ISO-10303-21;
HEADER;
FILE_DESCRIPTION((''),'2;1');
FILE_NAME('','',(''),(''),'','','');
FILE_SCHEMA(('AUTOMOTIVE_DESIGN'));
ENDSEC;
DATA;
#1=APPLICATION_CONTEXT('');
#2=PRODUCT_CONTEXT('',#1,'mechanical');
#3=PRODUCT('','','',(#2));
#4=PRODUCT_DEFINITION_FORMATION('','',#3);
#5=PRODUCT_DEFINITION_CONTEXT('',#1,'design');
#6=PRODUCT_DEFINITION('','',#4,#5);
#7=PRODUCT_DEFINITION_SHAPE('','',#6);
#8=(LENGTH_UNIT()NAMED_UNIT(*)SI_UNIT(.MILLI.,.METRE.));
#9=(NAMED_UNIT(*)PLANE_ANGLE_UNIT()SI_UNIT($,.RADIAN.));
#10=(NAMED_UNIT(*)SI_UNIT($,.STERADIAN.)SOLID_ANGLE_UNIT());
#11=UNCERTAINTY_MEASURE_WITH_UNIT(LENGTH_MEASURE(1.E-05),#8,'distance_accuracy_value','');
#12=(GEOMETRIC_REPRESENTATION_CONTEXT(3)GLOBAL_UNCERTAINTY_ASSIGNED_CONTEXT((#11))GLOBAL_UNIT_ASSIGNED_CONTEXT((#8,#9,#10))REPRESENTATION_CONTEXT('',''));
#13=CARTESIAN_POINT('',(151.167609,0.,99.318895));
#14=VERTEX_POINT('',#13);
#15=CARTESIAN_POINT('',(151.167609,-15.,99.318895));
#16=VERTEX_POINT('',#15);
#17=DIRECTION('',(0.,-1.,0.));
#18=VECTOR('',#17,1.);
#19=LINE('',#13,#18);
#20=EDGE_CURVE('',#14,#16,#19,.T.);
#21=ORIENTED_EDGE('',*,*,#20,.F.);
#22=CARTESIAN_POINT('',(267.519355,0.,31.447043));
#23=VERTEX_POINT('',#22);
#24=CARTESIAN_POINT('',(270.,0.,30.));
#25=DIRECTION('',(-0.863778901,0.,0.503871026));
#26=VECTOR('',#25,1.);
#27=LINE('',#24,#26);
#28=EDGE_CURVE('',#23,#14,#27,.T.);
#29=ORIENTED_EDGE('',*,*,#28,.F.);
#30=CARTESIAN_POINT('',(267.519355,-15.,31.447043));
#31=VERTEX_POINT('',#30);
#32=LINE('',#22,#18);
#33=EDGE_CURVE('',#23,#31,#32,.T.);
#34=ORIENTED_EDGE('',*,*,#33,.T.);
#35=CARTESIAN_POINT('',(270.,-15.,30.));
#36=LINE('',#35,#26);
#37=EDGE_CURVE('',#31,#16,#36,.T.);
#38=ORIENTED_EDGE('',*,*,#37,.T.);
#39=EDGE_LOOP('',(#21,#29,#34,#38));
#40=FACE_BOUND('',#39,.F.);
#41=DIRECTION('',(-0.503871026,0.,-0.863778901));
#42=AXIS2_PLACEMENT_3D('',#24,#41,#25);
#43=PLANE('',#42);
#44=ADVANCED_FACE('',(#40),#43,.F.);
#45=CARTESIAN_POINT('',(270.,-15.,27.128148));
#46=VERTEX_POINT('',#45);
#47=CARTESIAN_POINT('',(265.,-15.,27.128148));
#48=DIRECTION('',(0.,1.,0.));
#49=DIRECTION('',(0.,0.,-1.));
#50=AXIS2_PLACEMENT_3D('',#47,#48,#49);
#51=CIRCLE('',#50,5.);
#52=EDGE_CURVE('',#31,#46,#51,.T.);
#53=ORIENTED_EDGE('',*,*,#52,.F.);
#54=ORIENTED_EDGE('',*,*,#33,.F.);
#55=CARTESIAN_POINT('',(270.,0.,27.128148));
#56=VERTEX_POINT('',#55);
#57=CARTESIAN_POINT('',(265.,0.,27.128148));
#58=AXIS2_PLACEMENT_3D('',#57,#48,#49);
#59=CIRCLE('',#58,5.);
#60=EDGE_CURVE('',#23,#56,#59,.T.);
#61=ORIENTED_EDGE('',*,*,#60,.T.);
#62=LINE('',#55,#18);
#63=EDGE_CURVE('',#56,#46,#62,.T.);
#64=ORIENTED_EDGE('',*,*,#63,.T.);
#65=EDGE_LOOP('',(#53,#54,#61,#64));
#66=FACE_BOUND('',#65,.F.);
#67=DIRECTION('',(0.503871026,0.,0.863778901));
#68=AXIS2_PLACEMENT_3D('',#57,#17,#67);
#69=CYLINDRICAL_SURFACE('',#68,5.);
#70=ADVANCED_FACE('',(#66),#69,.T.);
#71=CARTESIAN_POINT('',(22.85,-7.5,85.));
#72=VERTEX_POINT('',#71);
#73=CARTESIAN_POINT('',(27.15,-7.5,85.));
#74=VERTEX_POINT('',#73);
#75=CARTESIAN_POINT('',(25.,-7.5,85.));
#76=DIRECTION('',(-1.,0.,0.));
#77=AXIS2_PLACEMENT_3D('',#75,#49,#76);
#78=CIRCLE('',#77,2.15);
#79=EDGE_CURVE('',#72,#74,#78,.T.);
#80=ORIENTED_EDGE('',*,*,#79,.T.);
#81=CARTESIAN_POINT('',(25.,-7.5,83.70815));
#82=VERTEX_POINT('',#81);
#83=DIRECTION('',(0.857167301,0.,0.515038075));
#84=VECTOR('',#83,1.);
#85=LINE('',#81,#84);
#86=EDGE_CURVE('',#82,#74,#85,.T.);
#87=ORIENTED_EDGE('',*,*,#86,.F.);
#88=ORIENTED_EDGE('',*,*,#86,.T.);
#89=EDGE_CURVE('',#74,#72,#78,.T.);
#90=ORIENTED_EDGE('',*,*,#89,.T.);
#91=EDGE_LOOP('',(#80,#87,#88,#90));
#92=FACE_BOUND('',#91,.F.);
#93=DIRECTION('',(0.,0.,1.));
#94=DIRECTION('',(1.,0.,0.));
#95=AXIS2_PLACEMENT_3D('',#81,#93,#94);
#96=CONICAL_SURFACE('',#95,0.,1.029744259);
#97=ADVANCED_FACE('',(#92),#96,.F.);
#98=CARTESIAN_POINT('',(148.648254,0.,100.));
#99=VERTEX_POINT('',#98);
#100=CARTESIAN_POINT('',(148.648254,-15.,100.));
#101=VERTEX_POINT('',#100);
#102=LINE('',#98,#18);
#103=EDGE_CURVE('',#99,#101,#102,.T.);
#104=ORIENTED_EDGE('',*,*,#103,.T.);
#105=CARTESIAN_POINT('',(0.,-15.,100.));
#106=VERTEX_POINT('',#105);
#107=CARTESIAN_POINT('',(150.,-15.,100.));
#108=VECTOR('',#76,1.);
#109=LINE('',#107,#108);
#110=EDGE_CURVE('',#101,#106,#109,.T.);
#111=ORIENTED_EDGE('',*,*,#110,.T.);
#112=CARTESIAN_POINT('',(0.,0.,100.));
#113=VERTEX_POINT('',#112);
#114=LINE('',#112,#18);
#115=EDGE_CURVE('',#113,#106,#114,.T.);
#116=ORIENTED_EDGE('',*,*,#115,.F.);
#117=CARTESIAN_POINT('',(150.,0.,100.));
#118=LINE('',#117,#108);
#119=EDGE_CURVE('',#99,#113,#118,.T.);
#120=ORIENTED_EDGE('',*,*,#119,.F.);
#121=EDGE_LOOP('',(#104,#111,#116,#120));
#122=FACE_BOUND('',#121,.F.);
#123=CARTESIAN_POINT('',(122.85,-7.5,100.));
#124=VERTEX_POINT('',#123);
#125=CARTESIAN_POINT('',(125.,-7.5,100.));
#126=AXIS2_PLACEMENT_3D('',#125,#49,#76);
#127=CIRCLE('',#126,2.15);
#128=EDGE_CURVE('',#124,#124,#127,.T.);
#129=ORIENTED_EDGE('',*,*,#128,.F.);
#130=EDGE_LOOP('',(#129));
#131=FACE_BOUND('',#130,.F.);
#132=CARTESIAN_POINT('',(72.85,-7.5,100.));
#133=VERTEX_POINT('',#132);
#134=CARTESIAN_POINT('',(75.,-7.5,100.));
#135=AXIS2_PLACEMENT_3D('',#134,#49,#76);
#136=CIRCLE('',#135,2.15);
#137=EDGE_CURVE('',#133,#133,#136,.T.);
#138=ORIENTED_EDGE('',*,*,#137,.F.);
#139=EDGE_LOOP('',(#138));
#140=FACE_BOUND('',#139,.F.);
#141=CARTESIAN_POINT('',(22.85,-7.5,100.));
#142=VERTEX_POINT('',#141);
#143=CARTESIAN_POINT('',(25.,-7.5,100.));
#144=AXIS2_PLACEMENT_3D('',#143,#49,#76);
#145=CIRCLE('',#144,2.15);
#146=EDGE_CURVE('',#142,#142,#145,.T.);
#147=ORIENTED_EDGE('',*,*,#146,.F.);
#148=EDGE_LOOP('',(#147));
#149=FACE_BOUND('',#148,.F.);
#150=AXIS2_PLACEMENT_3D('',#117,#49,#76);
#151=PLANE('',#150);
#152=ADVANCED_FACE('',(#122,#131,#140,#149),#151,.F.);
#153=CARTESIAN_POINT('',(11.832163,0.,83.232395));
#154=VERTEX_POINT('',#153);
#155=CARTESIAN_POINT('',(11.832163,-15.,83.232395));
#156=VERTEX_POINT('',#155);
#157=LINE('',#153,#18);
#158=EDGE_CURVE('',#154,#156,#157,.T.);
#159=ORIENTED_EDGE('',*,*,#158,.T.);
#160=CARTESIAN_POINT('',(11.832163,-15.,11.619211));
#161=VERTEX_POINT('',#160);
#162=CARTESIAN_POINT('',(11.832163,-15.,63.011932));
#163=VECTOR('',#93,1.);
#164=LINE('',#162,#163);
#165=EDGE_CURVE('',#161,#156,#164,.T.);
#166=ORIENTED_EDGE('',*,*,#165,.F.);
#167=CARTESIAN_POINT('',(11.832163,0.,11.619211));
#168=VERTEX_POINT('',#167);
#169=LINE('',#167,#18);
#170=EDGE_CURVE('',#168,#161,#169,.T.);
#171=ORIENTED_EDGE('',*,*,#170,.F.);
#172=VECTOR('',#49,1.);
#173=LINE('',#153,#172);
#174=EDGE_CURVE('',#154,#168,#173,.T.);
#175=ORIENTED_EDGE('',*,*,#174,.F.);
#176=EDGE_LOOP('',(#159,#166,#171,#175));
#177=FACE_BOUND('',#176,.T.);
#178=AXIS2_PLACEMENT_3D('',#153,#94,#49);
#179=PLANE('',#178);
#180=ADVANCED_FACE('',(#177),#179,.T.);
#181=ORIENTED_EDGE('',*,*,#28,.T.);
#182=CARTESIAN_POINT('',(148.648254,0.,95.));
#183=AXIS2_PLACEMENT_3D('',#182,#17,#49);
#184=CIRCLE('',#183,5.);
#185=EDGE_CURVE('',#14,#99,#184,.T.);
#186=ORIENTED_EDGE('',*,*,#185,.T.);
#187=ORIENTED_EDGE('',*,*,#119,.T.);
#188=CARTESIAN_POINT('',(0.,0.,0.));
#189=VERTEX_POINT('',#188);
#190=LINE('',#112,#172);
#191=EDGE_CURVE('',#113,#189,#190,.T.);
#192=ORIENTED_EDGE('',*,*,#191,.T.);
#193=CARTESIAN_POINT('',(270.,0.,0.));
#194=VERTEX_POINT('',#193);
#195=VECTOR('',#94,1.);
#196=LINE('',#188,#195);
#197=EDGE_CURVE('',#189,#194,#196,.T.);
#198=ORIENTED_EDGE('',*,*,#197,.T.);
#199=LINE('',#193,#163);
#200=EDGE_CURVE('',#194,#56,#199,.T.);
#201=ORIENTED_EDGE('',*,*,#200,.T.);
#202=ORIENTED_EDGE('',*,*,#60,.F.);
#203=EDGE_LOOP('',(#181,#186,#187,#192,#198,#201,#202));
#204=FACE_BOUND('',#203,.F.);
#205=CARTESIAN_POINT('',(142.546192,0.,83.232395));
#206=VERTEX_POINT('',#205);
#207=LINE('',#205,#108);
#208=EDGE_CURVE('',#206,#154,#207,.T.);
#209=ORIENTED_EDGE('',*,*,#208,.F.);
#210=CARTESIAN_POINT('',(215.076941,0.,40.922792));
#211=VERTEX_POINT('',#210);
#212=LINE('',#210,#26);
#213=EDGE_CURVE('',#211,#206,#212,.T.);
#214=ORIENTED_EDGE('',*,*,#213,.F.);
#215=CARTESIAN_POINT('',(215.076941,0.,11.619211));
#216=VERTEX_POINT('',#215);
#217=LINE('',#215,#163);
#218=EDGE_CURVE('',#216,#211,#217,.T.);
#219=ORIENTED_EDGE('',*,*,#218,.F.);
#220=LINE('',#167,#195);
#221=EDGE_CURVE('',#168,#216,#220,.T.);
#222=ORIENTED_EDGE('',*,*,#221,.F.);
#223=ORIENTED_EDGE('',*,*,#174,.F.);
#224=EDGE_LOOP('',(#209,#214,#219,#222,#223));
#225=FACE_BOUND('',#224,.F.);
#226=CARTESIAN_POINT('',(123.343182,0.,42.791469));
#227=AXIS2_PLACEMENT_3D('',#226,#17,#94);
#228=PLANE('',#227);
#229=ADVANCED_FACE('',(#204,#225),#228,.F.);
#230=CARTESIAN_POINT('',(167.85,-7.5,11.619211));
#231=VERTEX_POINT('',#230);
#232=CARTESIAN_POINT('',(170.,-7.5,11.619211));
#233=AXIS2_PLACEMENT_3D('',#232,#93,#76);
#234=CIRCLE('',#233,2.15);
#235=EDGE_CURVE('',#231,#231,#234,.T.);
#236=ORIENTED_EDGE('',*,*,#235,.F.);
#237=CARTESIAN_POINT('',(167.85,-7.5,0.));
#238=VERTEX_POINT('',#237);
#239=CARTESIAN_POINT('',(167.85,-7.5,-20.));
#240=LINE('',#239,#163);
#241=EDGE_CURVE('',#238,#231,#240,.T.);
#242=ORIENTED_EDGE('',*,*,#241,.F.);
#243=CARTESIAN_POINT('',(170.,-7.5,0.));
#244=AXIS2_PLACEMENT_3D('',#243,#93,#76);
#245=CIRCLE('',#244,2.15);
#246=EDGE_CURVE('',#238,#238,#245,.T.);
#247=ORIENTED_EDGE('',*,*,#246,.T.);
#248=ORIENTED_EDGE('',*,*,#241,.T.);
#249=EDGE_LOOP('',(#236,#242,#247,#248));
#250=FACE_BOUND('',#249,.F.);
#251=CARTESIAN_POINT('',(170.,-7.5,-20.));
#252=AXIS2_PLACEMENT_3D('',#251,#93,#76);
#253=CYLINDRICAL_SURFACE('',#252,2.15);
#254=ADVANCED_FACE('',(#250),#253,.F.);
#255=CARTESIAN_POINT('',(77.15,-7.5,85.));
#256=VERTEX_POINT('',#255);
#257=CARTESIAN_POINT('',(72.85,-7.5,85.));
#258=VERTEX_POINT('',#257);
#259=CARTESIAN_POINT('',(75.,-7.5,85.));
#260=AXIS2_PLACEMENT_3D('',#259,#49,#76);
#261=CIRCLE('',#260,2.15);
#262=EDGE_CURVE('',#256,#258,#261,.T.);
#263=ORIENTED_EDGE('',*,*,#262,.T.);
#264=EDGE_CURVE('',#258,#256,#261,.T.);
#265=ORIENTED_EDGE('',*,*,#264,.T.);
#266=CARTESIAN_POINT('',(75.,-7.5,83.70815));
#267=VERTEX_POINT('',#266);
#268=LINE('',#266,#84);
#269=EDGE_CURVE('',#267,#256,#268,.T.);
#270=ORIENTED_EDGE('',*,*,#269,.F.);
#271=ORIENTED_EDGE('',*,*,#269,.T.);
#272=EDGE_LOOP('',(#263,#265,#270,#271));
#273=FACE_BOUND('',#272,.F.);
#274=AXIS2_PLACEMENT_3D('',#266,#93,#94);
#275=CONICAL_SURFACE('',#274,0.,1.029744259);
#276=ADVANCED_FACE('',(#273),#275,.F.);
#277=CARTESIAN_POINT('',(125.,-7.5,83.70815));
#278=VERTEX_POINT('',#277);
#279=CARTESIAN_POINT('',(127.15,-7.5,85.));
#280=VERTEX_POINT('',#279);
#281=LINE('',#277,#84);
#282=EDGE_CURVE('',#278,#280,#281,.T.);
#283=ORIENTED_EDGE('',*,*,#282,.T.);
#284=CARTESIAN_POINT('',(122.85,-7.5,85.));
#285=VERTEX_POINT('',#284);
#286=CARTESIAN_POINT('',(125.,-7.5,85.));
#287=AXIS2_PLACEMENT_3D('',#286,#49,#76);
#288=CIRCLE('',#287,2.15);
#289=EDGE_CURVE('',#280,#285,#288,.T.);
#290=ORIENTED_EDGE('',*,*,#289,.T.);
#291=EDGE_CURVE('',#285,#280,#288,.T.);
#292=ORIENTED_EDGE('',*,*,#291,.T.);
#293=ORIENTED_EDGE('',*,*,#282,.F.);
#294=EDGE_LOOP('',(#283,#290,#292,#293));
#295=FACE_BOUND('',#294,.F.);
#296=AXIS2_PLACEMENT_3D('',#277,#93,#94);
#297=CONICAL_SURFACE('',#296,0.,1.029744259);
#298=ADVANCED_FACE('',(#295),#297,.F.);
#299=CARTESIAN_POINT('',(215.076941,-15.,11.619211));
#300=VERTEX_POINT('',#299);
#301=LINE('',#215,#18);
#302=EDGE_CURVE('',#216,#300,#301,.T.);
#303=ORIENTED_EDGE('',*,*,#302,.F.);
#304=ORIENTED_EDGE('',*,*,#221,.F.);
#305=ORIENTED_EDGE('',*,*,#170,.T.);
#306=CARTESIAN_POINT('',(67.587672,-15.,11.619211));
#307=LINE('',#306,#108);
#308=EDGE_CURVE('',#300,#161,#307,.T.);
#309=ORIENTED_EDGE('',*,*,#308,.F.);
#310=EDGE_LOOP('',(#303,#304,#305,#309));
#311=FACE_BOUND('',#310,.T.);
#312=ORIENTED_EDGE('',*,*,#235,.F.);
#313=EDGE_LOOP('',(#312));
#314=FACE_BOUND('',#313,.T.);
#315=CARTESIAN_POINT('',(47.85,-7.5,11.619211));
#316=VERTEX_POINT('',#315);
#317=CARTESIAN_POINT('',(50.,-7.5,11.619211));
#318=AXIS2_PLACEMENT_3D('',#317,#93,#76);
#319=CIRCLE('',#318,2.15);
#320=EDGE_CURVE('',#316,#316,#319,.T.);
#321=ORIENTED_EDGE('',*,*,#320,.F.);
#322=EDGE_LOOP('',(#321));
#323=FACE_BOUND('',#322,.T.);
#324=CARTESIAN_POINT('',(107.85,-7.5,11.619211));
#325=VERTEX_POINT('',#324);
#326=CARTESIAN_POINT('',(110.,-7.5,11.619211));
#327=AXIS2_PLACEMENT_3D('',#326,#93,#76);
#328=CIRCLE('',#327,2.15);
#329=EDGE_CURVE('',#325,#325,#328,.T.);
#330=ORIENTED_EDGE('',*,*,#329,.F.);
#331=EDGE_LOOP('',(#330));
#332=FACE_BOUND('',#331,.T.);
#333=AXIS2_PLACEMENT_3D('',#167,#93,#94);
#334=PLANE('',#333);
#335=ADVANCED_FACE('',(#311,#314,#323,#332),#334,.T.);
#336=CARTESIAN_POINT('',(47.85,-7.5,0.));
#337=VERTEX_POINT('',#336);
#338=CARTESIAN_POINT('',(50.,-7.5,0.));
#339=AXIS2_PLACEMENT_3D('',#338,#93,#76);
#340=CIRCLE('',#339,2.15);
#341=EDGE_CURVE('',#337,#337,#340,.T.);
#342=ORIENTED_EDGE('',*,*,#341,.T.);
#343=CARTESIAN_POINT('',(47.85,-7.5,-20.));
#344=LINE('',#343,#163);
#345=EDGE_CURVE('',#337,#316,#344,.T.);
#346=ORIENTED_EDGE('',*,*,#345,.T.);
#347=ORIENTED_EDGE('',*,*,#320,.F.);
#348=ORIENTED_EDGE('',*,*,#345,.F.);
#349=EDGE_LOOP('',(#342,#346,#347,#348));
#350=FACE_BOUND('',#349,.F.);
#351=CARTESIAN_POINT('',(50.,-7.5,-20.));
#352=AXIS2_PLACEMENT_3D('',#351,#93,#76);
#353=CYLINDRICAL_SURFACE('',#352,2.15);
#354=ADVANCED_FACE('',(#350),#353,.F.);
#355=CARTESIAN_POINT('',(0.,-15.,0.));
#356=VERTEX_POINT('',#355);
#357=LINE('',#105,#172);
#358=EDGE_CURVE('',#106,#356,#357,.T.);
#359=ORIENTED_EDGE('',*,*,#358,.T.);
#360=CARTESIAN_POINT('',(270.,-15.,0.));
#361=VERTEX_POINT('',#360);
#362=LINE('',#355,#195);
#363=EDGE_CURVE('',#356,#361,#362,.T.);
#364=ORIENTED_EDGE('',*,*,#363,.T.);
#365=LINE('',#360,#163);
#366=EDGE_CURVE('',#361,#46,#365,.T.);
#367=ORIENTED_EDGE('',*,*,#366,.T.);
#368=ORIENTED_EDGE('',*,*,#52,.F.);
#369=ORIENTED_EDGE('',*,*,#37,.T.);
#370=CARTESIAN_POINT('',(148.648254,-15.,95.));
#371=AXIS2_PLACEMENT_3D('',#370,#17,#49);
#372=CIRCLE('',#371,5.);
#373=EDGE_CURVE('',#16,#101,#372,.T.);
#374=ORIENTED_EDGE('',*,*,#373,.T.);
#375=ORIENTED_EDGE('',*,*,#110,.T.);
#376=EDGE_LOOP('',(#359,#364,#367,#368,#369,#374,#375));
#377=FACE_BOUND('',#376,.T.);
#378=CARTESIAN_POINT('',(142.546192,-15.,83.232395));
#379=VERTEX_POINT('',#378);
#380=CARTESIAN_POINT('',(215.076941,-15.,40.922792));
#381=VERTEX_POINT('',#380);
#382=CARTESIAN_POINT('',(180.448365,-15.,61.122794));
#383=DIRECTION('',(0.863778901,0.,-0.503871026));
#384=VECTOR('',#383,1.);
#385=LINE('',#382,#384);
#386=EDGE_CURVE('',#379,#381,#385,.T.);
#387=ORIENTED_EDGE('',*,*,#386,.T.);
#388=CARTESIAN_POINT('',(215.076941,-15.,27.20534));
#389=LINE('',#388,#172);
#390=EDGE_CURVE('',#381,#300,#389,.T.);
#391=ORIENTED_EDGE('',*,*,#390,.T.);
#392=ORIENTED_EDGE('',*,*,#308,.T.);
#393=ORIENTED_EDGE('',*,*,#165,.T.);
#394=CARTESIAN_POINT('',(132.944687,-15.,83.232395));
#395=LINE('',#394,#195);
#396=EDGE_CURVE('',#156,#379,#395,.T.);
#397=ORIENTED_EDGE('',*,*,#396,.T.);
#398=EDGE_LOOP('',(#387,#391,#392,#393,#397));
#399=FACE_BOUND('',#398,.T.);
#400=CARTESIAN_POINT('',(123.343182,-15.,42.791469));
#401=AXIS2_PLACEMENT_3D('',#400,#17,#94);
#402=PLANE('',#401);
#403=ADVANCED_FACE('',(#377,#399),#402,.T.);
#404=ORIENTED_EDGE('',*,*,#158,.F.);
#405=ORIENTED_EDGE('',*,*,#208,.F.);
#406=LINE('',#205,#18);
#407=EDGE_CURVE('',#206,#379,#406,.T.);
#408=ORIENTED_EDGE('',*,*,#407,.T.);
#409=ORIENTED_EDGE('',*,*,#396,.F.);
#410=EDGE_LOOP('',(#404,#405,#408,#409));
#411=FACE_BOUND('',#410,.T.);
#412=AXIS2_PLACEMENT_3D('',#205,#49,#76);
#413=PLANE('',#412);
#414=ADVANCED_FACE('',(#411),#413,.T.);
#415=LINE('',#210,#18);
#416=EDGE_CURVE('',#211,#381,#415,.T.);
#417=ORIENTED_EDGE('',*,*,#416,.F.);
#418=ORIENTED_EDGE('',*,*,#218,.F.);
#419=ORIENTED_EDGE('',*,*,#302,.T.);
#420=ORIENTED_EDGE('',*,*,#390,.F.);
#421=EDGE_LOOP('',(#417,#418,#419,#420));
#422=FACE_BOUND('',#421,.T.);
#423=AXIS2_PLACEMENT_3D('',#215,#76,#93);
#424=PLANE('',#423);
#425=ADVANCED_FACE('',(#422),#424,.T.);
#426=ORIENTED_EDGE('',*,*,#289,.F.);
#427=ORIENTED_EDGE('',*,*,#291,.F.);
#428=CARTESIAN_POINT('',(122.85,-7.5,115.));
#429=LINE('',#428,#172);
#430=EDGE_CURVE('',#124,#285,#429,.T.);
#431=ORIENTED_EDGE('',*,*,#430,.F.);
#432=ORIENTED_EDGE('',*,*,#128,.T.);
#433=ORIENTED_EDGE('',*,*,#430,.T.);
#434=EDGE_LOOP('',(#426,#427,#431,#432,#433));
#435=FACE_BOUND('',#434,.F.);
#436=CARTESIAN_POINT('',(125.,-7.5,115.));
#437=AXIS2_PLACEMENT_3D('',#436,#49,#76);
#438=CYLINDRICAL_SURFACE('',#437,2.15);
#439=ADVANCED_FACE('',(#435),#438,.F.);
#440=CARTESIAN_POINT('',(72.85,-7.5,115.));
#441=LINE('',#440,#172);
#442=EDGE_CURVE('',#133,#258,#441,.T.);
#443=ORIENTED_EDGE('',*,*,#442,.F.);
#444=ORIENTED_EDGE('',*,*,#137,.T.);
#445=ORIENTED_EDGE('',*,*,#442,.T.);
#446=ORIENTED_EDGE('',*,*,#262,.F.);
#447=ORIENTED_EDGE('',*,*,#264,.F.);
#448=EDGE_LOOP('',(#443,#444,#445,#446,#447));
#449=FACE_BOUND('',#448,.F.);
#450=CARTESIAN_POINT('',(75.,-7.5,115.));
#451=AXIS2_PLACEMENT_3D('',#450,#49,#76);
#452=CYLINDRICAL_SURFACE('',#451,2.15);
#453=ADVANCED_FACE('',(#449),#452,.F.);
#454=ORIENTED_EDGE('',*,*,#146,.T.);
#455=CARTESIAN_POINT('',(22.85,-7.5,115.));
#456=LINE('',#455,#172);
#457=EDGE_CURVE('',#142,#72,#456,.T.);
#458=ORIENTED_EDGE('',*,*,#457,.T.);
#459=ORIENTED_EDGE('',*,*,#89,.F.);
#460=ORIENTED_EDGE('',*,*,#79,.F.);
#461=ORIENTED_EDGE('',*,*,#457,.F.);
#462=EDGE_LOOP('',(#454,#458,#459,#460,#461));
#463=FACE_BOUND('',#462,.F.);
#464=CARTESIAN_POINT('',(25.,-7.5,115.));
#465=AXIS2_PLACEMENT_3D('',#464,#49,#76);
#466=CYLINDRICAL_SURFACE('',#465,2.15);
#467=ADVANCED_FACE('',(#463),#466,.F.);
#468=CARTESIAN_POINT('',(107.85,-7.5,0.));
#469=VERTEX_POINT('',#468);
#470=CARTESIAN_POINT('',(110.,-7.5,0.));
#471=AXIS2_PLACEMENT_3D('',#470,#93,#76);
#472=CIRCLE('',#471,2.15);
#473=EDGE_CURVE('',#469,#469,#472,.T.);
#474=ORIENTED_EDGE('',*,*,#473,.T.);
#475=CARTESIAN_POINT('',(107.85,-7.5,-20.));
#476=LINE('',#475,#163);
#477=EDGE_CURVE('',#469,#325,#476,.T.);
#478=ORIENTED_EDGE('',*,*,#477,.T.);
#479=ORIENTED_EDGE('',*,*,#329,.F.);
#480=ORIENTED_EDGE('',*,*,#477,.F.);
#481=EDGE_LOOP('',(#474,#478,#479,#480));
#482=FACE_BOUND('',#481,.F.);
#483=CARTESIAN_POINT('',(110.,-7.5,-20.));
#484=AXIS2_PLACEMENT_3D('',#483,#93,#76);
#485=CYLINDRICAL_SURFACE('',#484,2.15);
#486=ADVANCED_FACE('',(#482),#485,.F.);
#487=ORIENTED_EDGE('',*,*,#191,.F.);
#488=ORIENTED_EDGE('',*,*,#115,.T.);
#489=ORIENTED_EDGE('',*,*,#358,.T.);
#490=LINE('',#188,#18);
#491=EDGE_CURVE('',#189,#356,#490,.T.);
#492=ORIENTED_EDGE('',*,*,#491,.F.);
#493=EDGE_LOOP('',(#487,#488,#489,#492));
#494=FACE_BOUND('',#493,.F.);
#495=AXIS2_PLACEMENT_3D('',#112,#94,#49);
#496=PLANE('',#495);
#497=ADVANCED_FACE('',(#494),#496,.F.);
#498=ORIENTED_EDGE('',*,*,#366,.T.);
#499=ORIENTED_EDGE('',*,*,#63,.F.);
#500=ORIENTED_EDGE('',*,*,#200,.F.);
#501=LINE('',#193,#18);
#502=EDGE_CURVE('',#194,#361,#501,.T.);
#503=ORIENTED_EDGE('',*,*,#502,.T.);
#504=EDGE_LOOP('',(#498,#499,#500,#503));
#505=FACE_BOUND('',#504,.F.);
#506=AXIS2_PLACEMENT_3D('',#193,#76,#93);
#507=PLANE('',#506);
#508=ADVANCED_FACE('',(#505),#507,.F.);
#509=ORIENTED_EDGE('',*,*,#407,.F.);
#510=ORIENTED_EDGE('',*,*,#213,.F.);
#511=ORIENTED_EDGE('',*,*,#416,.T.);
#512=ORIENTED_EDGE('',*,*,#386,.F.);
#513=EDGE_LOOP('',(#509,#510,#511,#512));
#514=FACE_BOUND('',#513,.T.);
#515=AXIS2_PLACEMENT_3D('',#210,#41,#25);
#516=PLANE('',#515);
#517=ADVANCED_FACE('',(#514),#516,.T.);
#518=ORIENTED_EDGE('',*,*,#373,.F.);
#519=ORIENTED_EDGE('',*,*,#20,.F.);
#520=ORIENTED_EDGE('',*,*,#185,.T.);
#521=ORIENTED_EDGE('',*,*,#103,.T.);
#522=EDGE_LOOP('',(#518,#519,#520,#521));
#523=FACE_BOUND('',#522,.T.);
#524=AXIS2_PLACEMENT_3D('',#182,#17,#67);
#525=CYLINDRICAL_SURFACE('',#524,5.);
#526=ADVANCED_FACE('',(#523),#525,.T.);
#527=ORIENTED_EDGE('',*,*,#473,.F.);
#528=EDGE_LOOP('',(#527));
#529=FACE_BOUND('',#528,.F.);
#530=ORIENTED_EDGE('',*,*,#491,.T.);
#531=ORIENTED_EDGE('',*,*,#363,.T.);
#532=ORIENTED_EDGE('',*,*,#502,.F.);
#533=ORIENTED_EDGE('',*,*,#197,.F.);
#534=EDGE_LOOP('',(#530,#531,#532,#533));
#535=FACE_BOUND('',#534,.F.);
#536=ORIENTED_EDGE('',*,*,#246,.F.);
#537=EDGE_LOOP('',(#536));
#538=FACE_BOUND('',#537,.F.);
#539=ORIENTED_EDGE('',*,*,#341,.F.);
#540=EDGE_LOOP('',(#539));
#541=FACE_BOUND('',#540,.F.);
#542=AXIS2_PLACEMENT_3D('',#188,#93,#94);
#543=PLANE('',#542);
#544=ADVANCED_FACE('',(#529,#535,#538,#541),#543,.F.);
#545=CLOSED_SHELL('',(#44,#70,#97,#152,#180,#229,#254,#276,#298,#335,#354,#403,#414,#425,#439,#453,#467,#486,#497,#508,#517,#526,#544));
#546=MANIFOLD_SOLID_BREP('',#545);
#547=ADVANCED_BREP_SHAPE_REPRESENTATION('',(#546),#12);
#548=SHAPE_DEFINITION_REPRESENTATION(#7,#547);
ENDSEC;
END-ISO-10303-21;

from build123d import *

# Parameters (mm, degrees)
F1_DEPTH = 15
F3_D     = 4.3
F3_DEPTH = 15
F3_TIP   = 1.2918503309
F4_R     = 5
F5_R     = 5
F7_DEPTH = 15.001
F9_D     = 4.3
F9_DEPTH = 20
F9_TIP   = 1.2918503309


with BuildPart() as f1:
    # F0 (on Front) → F1 (new body)
    with BuildSketch(Plane.XZ):
        Polygon((0, 100), (0, 0), (150, 0), (270, 0), (270, 30), (150, 100), align=None)
    extrude(amount=F1_DEPTH)

    # F3
    with Locations(Plane.XY.offset(100)):
        with Locations((125, -7.5), (75, -7.5), (25, -7.5)):
            Hole(F3_D / 2, depth=F3_DEPTH)
            with Locations((0, 0, -(F3_DEPTH + F3_TIP / 2))):  # 118° drill point
                Cone(0, F3_D / 2, F3_TIP, mode=Mode.SUBTRACT)

    # F4
    f4_edges = [f1.edges().sort_by_distance(p)[0] for p in [
        (270, -7.5, 30),
    ]]
    fillet(f4_edges, radius=F4_R)

    # F5
    f5_edges = [f1.edges().sort_by_distance(p)[0] for p in [
        (150, -7.5, 100),
    ]]
    fillet(f5_edges, radius=F5_R)

    # F6 (on Front) → F7 (cut, through all)
    with BuildSketch(Plane.XZ):
        Polygon((11.8321627378, 83.2323953509), (11.8321627378, 11.6192111745), (215.076940872, 11.6192111745), (215.076940872, 40.9227917323), (142.5461918116, 83.2323953509), align=None)
    extrude(amount=F7_DEPTH, mode=Mode.SUBTRACT)

    # F9
    with Locations(Plane(origin=(0, 0, 0), x_dir=(1, 0, 0), z_dir=(0, 0, -1))):
        with Locations((50, 7.5), (110, 7.5), (170, 7.5)):
            Hole(F9_D / 2, depth=F9_DEPTH)
            with Locations((0, 0, -(F9_DEPTH + F9_TIP / 2))):  # 118° drill point
                Cone(0, F9_D / 2, F9_TIP, mode=Mode.SUBTRACT)


solid = f1.part
